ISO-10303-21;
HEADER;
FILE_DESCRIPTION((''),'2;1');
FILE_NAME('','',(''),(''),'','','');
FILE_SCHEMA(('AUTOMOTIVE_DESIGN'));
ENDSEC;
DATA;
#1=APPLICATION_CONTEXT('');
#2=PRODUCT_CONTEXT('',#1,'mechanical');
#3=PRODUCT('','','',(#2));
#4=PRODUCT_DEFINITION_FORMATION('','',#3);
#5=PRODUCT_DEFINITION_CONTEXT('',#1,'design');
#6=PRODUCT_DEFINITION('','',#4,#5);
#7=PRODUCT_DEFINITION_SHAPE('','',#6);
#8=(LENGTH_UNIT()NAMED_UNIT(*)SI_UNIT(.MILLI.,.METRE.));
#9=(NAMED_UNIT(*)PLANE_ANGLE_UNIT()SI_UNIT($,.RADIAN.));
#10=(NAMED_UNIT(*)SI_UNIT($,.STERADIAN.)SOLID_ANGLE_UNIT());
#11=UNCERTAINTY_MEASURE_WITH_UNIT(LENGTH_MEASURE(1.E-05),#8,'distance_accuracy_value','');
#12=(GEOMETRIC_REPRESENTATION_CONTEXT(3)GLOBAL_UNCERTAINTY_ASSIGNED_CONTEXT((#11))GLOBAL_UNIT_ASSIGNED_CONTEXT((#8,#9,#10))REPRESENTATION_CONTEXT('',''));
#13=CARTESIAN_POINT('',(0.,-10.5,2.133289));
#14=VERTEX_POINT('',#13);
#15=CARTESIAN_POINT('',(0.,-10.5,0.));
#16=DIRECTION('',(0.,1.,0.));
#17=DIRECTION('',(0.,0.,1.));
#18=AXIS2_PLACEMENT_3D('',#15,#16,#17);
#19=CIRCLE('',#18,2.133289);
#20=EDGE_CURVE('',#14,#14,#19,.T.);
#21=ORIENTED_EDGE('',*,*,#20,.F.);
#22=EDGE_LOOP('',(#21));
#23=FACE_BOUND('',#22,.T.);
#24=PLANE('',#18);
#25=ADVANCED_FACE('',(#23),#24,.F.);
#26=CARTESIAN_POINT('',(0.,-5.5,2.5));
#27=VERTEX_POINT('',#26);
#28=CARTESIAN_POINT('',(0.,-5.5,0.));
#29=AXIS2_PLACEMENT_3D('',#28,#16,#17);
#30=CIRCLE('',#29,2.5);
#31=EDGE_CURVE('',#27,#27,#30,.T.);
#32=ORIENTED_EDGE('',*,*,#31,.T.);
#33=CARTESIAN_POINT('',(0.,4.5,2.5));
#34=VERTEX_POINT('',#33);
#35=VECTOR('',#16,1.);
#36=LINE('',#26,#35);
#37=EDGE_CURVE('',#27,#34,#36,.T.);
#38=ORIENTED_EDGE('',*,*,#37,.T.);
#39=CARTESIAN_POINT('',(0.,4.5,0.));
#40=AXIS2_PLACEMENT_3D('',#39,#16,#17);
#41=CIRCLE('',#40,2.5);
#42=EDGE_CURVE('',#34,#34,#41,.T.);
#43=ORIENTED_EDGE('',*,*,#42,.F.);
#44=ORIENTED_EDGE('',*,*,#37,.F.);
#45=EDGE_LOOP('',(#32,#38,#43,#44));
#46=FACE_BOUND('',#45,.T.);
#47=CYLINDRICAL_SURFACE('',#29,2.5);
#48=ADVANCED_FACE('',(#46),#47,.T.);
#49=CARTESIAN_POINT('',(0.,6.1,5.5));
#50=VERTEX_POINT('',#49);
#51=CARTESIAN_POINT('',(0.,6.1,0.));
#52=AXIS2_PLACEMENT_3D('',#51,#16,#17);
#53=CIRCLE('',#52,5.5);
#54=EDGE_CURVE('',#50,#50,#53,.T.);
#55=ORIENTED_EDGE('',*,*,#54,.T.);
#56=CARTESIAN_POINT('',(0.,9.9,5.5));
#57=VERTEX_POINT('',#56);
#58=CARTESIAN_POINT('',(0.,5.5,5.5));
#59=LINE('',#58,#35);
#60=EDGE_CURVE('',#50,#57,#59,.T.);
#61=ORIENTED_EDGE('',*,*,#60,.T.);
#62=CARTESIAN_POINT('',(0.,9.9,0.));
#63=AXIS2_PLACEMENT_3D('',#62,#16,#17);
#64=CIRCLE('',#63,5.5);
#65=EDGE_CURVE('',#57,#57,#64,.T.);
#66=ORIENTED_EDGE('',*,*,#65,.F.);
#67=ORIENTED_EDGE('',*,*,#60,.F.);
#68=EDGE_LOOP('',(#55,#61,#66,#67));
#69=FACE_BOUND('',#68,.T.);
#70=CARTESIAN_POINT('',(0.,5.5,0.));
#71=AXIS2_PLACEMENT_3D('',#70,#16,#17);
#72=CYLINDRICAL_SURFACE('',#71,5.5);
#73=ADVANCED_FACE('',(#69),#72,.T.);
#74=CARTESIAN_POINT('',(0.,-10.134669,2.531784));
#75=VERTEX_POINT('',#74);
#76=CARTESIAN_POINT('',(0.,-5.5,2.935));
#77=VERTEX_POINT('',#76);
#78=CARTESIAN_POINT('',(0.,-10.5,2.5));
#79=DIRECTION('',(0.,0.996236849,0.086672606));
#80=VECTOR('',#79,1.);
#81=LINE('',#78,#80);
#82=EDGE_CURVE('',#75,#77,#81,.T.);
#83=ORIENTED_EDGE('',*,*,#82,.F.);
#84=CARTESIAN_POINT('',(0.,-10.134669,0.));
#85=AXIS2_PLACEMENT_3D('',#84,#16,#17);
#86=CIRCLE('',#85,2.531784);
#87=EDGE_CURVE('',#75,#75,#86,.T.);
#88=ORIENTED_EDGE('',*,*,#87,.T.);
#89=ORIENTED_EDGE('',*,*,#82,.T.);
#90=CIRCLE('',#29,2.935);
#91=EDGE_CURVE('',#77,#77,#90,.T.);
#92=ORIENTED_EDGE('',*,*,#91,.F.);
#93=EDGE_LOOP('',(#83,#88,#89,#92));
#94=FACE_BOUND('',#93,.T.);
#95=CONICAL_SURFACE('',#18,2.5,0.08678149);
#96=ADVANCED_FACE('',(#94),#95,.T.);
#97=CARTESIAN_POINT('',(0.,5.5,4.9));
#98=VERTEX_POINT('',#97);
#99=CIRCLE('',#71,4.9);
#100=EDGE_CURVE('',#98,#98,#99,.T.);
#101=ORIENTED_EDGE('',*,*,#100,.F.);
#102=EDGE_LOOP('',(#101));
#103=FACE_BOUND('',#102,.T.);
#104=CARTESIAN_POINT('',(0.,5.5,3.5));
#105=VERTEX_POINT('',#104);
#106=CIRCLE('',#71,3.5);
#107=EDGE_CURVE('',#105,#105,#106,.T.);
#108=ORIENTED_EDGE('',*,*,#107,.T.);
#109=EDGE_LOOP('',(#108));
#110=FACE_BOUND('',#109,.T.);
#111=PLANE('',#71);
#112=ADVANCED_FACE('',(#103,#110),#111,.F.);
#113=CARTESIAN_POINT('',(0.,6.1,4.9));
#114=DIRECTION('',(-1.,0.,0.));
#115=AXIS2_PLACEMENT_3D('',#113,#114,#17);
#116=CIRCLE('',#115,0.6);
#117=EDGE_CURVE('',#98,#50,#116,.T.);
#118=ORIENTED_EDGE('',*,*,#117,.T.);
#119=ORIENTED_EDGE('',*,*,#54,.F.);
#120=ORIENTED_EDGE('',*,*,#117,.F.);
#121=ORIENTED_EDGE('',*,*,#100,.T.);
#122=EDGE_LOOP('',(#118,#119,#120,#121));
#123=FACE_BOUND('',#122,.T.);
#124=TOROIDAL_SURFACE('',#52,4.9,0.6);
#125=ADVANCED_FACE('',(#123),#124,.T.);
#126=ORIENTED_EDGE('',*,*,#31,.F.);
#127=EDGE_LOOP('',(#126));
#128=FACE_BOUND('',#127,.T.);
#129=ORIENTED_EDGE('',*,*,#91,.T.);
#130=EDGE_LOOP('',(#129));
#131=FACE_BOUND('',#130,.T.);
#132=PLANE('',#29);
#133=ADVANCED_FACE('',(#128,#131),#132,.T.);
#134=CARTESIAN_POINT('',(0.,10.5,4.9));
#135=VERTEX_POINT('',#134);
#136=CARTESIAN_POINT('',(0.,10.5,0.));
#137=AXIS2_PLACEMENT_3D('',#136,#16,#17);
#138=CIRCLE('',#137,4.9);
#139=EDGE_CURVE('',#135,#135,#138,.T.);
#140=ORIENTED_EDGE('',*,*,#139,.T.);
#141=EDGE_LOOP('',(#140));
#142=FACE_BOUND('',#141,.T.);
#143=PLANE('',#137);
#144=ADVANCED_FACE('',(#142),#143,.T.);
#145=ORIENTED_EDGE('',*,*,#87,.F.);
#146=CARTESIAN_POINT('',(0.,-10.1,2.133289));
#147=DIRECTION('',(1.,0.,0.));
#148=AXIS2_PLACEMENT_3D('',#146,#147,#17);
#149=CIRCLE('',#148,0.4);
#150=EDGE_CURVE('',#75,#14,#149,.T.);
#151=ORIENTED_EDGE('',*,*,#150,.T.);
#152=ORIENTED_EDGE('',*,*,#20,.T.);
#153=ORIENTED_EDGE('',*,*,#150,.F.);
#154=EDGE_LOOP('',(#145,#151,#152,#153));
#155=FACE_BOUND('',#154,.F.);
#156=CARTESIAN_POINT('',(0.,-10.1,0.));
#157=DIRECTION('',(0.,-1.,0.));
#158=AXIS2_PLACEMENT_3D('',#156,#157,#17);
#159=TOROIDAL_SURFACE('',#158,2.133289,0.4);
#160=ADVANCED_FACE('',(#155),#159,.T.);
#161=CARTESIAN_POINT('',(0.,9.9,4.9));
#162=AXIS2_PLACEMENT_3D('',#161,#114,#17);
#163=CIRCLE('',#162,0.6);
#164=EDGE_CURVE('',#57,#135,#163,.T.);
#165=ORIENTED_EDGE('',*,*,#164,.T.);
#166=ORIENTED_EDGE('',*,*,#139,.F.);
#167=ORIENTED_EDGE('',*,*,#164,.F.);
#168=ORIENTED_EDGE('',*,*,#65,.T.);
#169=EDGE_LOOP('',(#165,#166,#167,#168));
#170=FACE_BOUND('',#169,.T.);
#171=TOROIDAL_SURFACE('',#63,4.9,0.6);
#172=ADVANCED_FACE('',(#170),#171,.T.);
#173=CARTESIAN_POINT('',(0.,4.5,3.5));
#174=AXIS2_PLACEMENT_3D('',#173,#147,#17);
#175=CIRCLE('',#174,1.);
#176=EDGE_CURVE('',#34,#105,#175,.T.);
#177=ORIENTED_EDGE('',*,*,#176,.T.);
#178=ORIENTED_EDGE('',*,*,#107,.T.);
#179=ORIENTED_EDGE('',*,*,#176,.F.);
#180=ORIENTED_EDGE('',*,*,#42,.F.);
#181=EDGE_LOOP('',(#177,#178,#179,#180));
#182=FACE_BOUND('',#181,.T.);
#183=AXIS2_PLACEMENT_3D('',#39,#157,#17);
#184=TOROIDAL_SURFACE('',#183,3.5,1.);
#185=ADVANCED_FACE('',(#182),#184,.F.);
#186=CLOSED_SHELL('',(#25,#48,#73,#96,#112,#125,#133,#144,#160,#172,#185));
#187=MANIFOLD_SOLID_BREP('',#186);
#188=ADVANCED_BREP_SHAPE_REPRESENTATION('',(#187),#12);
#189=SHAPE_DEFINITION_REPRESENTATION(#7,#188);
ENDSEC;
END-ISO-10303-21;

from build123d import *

# Parameters (mm, degrees)
FILLET_R    = 0.4
FILLET001_R = 1
FILLET002_R = 0.6


with BuildPart() as part:
    # Sketch → Revolution (revolve)
    with BuildSketch(Plane.YZ):
        Polygon((-10.5, 2.5), (-5.5, 2.935), (-5.5, 2.5), (5.5, 2.5), (5.5, 5.5), (10.5, 5.5), (10.5, 0), (-10.5, 0), align=None)
    revolve(axis=Axis((0, 0, 0), (0, 1, 0)))

    # Fillet
    fillet_edges = [part.edges().sort_by_distance(p)[0] for p in [
        (0, -10.5, -2.5),
    ]]
    fillet(fillet_edges, radius=FILLET_R)

    # Fillet001
    fillet001_edges = [part.edges().sort_by_distance(p)[0] for p in [
        (0, 5.5, -2.5),
    ]]
    fillet(fillet001_edges, radius=FILLET001_R)

    # Fillet002
    fillet002_edges = [part.edges().sort_by_distance(p)[0] for p in [
        (0, 5.5, -5.5),
        (0, 10.5, -5.5),
    ]]
    fillet(fillet002_edges, radius=FILLET002_R)


solid = part.part
